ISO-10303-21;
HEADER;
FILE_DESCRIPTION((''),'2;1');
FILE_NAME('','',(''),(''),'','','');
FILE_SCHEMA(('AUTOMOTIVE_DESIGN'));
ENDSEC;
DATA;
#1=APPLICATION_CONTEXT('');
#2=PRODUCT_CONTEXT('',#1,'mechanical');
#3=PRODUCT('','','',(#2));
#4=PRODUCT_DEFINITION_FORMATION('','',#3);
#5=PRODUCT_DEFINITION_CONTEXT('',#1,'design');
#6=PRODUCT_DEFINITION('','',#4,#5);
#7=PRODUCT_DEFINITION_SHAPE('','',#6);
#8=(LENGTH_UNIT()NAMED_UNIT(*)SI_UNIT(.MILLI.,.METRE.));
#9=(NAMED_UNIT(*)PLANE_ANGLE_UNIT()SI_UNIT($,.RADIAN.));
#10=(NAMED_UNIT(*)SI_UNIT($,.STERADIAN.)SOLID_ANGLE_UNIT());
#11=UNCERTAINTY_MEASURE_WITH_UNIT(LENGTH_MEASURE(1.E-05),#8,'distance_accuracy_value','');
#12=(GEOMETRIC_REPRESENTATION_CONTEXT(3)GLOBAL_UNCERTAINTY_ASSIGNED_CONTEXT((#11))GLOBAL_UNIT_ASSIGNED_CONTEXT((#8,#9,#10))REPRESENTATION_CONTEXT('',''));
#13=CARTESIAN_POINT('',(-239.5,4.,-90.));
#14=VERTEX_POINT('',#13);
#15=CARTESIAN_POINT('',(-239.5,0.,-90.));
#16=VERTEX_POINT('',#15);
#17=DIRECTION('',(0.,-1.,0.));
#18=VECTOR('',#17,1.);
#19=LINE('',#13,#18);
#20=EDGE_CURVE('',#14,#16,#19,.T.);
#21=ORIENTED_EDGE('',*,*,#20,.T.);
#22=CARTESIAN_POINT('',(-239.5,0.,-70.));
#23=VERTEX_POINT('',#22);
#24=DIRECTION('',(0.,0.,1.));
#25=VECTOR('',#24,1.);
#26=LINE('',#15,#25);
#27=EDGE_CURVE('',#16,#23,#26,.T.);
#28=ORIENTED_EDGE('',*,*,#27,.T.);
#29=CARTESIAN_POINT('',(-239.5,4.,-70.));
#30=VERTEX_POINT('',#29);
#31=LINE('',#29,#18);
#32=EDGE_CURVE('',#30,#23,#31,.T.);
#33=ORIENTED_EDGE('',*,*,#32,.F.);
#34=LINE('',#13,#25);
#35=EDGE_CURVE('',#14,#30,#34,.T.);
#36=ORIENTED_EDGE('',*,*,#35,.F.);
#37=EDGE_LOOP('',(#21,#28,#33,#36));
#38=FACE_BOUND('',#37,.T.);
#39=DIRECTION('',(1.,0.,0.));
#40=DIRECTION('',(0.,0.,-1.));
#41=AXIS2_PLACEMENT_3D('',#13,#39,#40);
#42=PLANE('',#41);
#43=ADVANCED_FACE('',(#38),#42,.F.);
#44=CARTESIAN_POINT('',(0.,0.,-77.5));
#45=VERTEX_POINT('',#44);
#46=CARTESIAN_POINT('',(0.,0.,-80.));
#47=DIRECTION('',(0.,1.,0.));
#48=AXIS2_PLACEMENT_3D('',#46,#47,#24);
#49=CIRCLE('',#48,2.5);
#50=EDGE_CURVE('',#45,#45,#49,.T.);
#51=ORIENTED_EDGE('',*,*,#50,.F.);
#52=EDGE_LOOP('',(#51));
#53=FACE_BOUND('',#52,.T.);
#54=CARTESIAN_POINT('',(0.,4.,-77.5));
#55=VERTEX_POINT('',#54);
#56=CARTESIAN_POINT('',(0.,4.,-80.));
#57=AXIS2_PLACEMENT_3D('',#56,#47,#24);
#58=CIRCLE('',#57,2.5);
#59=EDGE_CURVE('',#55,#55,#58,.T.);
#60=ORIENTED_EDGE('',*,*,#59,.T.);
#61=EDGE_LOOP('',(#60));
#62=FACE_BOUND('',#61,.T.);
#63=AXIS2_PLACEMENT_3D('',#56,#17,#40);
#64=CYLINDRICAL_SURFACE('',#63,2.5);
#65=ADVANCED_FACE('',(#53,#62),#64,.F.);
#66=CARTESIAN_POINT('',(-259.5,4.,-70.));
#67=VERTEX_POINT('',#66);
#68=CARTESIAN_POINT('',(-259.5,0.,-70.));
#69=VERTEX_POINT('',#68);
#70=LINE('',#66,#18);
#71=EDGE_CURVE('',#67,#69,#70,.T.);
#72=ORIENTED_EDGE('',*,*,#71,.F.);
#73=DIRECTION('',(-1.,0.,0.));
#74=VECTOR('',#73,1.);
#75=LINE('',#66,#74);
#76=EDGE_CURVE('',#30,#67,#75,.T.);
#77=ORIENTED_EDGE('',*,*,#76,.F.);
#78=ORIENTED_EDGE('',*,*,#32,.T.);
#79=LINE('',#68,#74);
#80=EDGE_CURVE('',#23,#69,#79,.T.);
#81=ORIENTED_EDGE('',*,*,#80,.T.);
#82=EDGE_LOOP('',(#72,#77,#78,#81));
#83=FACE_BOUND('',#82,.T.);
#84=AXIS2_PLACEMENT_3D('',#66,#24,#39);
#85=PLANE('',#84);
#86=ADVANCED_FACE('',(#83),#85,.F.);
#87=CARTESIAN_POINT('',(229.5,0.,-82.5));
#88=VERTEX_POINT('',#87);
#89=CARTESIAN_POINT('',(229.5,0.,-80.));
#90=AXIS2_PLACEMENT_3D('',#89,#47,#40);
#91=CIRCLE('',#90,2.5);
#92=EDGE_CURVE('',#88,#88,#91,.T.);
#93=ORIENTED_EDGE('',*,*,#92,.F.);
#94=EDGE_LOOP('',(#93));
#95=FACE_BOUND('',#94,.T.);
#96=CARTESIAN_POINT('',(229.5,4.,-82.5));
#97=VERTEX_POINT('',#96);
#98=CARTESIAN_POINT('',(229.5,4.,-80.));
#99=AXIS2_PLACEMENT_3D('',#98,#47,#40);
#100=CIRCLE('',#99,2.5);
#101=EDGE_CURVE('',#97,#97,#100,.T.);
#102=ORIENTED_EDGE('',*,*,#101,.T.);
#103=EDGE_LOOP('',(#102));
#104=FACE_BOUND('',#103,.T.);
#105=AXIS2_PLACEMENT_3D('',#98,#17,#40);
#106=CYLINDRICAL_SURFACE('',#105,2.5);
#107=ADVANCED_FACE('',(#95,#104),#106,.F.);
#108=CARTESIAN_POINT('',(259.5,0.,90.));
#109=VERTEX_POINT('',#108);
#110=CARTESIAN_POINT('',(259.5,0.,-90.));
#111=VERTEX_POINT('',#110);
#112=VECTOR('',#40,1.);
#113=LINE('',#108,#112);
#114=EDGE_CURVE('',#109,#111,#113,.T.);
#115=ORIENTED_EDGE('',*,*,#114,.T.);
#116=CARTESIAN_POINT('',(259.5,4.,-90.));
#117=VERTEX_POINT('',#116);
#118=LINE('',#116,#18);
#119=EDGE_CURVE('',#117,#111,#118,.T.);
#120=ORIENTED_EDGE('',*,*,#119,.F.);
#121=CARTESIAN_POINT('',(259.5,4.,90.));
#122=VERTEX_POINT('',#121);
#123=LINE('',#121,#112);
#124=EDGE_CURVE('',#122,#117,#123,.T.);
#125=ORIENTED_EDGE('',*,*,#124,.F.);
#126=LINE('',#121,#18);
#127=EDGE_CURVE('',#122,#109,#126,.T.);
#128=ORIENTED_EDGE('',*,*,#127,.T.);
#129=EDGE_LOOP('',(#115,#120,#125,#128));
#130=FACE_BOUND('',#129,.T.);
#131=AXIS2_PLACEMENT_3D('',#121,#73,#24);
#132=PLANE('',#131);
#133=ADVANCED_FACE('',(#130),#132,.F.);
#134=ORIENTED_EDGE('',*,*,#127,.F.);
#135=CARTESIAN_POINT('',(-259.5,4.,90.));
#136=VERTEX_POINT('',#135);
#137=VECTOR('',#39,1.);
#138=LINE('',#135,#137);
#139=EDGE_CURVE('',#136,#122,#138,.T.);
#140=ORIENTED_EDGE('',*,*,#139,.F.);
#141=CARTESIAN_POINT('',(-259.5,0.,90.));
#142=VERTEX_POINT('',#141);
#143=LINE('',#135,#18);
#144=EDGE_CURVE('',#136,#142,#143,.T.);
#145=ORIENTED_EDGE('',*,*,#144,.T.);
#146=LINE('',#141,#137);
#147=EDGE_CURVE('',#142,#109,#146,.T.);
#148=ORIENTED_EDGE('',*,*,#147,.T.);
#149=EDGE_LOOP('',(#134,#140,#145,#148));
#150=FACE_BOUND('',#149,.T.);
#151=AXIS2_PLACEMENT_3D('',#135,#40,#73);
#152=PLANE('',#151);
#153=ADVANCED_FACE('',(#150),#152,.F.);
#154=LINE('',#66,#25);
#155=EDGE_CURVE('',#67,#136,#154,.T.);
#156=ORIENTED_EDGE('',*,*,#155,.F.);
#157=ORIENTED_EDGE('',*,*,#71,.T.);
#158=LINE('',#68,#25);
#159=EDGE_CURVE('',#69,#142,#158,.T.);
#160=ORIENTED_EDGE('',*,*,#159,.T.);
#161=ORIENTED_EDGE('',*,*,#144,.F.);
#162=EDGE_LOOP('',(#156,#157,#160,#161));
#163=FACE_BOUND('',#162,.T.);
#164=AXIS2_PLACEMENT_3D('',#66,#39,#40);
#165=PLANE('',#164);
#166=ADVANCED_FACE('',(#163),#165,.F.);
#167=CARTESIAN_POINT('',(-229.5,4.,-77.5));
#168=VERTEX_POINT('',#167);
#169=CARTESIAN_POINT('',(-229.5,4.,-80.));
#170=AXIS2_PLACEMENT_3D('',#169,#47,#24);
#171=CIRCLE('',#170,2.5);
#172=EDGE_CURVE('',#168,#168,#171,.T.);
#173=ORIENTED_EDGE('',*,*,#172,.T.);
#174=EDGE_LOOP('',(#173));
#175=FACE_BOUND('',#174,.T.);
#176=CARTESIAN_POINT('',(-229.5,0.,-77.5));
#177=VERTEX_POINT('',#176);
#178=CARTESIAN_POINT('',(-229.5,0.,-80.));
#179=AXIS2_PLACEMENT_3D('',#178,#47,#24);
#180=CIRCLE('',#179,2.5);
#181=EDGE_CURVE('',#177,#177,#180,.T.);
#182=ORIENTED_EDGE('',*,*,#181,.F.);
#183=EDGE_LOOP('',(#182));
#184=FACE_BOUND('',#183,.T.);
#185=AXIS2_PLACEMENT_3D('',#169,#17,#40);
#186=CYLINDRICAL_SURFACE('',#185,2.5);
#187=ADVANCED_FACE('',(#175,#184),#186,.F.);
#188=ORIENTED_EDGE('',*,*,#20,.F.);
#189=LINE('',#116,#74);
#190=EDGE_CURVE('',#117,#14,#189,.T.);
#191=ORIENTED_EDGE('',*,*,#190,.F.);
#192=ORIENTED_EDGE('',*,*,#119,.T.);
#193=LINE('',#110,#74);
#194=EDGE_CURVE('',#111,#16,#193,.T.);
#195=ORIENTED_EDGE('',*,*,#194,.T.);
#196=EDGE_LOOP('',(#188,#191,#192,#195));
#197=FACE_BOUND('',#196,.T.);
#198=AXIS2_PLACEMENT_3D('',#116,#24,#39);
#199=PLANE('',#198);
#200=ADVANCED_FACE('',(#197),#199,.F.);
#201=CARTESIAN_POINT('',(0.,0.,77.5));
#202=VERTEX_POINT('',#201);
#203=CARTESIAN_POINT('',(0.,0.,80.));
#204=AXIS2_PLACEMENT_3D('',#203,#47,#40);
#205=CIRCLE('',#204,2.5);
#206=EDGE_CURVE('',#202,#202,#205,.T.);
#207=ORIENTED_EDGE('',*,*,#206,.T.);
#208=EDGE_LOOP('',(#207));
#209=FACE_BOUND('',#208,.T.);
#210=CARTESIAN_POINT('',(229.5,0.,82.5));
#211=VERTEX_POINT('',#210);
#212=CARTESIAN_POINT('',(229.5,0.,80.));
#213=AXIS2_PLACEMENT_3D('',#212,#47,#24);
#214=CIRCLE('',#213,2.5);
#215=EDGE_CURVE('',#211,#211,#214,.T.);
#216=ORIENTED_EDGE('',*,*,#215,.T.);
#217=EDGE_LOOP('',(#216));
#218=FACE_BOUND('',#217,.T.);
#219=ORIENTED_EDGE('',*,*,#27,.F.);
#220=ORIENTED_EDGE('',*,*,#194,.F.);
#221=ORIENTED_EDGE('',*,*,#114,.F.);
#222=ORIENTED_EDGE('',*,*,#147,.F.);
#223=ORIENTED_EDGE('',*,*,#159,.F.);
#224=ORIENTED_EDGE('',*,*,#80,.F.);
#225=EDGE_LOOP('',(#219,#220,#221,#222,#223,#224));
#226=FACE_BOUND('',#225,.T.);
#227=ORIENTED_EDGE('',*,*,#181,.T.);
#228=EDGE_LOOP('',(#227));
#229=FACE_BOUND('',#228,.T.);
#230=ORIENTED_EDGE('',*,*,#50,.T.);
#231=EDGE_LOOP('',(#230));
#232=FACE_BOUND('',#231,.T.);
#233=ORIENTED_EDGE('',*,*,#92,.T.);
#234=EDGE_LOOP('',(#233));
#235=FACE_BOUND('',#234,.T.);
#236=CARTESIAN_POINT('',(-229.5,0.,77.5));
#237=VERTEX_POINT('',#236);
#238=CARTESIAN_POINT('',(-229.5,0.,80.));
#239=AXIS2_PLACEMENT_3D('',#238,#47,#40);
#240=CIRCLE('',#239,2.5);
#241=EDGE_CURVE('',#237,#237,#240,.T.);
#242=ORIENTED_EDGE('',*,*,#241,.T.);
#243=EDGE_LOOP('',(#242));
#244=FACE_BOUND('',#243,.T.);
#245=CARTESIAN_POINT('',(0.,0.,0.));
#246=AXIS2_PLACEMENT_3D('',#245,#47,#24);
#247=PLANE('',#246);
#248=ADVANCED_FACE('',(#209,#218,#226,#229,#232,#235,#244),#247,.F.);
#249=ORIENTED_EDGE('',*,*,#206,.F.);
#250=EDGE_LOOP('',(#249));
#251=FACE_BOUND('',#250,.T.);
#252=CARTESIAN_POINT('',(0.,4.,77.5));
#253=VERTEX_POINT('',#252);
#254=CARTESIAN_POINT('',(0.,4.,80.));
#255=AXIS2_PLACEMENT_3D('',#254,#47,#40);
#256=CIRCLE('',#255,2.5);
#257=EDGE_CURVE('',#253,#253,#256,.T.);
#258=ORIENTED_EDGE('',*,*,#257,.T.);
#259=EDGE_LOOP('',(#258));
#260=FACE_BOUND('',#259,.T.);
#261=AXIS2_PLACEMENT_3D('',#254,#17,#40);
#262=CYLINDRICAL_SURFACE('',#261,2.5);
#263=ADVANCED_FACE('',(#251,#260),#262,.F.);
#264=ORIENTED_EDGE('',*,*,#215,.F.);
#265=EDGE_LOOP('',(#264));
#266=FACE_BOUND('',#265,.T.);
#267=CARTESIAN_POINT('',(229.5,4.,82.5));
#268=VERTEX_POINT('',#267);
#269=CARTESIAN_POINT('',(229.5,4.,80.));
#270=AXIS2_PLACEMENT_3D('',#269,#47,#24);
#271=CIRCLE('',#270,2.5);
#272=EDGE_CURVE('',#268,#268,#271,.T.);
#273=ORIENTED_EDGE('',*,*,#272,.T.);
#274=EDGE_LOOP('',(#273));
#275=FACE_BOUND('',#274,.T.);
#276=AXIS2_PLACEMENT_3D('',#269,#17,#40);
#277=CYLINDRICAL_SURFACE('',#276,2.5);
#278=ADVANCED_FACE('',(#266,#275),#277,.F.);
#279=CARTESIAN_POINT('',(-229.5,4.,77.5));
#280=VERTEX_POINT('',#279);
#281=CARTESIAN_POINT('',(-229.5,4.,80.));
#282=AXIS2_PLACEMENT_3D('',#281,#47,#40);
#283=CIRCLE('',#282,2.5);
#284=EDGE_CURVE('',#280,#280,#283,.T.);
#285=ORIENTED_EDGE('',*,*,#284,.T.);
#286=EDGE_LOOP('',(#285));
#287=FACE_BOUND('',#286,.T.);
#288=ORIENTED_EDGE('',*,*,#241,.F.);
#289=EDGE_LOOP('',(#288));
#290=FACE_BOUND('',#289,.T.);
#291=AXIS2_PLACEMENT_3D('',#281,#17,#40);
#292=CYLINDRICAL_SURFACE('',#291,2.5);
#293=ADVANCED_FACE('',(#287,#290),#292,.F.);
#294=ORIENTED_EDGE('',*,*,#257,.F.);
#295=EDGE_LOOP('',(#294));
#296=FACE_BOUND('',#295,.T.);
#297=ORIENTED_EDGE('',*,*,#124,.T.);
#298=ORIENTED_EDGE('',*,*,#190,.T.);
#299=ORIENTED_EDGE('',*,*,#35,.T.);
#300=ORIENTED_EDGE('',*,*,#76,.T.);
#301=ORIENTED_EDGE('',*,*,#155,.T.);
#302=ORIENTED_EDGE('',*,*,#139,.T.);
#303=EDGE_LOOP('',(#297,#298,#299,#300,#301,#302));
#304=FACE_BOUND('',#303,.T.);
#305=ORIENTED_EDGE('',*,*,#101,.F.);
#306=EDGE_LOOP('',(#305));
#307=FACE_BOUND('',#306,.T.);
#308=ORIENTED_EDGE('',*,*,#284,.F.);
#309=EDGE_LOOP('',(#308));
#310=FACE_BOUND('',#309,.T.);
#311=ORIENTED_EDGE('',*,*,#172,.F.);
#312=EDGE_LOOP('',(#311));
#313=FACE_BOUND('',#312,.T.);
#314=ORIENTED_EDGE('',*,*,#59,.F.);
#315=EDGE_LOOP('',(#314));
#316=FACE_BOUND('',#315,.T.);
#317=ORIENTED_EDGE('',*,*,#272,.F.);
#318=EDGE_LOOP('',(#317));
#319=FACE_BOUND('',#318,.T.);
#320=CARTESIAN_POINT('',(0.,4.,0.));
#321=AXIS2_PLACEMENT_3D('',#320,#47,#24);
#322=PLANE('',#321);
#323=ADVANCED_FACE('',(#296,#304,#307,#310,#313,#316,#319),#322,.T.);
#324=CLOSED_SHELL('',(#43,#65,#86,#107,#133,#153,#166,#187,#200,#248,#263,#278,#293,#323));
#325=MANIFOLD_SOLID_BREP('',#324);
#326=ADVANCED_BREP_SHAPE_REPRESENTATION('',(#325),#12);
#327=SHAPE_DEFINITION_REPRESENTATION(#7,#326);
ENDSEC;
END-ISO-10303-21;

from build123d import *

# Parameters (mm, degrees)
SKETCH1_R           = 2.5
BOSS_EXTRUDE1_DEPTH = 4


with BuildPart() as part:
    # Sketch1 → Boss-Extrude1 (new body)
    with BuildSketch(Plane(origin=(0, 0, 0), x_dir=(1, 0, 0), z_dir=(0, 1, 0))):
        Polygon((-259.5, -90), (259.5, -90), (259.5, 90), (-239.5, 90), (-239.5, 70), (-259.5, 70), align=None)
        with Locations((-229.5, 80)):
            Circle(SKETCH1_R, mode=Mode.SUBTRACT)
        with Locations((229.5, 80)):
            Circle(SKETCH1_R, mode=Mode.SUBTRACT)
        with Locations((-229.5, -80)):
            Circle(SKETCH1_R, mode=Mode.SUBTRACT)
        with Locations((229.5, -80)):
            Circle(SKETCH1_R, mode=Mode.SUBTRACT)
        with Locations((0, 80)):
            Circle(SKETCH1_R, mode=Mode.SUBTRACT)
        with Locations((0, -80)):
            Circle(SKETCH1_R, mode=Mode.SUBTRACT)
    extrude(amount=BOSS_EXTRUDE1_DEPTH)


solid = part.part
